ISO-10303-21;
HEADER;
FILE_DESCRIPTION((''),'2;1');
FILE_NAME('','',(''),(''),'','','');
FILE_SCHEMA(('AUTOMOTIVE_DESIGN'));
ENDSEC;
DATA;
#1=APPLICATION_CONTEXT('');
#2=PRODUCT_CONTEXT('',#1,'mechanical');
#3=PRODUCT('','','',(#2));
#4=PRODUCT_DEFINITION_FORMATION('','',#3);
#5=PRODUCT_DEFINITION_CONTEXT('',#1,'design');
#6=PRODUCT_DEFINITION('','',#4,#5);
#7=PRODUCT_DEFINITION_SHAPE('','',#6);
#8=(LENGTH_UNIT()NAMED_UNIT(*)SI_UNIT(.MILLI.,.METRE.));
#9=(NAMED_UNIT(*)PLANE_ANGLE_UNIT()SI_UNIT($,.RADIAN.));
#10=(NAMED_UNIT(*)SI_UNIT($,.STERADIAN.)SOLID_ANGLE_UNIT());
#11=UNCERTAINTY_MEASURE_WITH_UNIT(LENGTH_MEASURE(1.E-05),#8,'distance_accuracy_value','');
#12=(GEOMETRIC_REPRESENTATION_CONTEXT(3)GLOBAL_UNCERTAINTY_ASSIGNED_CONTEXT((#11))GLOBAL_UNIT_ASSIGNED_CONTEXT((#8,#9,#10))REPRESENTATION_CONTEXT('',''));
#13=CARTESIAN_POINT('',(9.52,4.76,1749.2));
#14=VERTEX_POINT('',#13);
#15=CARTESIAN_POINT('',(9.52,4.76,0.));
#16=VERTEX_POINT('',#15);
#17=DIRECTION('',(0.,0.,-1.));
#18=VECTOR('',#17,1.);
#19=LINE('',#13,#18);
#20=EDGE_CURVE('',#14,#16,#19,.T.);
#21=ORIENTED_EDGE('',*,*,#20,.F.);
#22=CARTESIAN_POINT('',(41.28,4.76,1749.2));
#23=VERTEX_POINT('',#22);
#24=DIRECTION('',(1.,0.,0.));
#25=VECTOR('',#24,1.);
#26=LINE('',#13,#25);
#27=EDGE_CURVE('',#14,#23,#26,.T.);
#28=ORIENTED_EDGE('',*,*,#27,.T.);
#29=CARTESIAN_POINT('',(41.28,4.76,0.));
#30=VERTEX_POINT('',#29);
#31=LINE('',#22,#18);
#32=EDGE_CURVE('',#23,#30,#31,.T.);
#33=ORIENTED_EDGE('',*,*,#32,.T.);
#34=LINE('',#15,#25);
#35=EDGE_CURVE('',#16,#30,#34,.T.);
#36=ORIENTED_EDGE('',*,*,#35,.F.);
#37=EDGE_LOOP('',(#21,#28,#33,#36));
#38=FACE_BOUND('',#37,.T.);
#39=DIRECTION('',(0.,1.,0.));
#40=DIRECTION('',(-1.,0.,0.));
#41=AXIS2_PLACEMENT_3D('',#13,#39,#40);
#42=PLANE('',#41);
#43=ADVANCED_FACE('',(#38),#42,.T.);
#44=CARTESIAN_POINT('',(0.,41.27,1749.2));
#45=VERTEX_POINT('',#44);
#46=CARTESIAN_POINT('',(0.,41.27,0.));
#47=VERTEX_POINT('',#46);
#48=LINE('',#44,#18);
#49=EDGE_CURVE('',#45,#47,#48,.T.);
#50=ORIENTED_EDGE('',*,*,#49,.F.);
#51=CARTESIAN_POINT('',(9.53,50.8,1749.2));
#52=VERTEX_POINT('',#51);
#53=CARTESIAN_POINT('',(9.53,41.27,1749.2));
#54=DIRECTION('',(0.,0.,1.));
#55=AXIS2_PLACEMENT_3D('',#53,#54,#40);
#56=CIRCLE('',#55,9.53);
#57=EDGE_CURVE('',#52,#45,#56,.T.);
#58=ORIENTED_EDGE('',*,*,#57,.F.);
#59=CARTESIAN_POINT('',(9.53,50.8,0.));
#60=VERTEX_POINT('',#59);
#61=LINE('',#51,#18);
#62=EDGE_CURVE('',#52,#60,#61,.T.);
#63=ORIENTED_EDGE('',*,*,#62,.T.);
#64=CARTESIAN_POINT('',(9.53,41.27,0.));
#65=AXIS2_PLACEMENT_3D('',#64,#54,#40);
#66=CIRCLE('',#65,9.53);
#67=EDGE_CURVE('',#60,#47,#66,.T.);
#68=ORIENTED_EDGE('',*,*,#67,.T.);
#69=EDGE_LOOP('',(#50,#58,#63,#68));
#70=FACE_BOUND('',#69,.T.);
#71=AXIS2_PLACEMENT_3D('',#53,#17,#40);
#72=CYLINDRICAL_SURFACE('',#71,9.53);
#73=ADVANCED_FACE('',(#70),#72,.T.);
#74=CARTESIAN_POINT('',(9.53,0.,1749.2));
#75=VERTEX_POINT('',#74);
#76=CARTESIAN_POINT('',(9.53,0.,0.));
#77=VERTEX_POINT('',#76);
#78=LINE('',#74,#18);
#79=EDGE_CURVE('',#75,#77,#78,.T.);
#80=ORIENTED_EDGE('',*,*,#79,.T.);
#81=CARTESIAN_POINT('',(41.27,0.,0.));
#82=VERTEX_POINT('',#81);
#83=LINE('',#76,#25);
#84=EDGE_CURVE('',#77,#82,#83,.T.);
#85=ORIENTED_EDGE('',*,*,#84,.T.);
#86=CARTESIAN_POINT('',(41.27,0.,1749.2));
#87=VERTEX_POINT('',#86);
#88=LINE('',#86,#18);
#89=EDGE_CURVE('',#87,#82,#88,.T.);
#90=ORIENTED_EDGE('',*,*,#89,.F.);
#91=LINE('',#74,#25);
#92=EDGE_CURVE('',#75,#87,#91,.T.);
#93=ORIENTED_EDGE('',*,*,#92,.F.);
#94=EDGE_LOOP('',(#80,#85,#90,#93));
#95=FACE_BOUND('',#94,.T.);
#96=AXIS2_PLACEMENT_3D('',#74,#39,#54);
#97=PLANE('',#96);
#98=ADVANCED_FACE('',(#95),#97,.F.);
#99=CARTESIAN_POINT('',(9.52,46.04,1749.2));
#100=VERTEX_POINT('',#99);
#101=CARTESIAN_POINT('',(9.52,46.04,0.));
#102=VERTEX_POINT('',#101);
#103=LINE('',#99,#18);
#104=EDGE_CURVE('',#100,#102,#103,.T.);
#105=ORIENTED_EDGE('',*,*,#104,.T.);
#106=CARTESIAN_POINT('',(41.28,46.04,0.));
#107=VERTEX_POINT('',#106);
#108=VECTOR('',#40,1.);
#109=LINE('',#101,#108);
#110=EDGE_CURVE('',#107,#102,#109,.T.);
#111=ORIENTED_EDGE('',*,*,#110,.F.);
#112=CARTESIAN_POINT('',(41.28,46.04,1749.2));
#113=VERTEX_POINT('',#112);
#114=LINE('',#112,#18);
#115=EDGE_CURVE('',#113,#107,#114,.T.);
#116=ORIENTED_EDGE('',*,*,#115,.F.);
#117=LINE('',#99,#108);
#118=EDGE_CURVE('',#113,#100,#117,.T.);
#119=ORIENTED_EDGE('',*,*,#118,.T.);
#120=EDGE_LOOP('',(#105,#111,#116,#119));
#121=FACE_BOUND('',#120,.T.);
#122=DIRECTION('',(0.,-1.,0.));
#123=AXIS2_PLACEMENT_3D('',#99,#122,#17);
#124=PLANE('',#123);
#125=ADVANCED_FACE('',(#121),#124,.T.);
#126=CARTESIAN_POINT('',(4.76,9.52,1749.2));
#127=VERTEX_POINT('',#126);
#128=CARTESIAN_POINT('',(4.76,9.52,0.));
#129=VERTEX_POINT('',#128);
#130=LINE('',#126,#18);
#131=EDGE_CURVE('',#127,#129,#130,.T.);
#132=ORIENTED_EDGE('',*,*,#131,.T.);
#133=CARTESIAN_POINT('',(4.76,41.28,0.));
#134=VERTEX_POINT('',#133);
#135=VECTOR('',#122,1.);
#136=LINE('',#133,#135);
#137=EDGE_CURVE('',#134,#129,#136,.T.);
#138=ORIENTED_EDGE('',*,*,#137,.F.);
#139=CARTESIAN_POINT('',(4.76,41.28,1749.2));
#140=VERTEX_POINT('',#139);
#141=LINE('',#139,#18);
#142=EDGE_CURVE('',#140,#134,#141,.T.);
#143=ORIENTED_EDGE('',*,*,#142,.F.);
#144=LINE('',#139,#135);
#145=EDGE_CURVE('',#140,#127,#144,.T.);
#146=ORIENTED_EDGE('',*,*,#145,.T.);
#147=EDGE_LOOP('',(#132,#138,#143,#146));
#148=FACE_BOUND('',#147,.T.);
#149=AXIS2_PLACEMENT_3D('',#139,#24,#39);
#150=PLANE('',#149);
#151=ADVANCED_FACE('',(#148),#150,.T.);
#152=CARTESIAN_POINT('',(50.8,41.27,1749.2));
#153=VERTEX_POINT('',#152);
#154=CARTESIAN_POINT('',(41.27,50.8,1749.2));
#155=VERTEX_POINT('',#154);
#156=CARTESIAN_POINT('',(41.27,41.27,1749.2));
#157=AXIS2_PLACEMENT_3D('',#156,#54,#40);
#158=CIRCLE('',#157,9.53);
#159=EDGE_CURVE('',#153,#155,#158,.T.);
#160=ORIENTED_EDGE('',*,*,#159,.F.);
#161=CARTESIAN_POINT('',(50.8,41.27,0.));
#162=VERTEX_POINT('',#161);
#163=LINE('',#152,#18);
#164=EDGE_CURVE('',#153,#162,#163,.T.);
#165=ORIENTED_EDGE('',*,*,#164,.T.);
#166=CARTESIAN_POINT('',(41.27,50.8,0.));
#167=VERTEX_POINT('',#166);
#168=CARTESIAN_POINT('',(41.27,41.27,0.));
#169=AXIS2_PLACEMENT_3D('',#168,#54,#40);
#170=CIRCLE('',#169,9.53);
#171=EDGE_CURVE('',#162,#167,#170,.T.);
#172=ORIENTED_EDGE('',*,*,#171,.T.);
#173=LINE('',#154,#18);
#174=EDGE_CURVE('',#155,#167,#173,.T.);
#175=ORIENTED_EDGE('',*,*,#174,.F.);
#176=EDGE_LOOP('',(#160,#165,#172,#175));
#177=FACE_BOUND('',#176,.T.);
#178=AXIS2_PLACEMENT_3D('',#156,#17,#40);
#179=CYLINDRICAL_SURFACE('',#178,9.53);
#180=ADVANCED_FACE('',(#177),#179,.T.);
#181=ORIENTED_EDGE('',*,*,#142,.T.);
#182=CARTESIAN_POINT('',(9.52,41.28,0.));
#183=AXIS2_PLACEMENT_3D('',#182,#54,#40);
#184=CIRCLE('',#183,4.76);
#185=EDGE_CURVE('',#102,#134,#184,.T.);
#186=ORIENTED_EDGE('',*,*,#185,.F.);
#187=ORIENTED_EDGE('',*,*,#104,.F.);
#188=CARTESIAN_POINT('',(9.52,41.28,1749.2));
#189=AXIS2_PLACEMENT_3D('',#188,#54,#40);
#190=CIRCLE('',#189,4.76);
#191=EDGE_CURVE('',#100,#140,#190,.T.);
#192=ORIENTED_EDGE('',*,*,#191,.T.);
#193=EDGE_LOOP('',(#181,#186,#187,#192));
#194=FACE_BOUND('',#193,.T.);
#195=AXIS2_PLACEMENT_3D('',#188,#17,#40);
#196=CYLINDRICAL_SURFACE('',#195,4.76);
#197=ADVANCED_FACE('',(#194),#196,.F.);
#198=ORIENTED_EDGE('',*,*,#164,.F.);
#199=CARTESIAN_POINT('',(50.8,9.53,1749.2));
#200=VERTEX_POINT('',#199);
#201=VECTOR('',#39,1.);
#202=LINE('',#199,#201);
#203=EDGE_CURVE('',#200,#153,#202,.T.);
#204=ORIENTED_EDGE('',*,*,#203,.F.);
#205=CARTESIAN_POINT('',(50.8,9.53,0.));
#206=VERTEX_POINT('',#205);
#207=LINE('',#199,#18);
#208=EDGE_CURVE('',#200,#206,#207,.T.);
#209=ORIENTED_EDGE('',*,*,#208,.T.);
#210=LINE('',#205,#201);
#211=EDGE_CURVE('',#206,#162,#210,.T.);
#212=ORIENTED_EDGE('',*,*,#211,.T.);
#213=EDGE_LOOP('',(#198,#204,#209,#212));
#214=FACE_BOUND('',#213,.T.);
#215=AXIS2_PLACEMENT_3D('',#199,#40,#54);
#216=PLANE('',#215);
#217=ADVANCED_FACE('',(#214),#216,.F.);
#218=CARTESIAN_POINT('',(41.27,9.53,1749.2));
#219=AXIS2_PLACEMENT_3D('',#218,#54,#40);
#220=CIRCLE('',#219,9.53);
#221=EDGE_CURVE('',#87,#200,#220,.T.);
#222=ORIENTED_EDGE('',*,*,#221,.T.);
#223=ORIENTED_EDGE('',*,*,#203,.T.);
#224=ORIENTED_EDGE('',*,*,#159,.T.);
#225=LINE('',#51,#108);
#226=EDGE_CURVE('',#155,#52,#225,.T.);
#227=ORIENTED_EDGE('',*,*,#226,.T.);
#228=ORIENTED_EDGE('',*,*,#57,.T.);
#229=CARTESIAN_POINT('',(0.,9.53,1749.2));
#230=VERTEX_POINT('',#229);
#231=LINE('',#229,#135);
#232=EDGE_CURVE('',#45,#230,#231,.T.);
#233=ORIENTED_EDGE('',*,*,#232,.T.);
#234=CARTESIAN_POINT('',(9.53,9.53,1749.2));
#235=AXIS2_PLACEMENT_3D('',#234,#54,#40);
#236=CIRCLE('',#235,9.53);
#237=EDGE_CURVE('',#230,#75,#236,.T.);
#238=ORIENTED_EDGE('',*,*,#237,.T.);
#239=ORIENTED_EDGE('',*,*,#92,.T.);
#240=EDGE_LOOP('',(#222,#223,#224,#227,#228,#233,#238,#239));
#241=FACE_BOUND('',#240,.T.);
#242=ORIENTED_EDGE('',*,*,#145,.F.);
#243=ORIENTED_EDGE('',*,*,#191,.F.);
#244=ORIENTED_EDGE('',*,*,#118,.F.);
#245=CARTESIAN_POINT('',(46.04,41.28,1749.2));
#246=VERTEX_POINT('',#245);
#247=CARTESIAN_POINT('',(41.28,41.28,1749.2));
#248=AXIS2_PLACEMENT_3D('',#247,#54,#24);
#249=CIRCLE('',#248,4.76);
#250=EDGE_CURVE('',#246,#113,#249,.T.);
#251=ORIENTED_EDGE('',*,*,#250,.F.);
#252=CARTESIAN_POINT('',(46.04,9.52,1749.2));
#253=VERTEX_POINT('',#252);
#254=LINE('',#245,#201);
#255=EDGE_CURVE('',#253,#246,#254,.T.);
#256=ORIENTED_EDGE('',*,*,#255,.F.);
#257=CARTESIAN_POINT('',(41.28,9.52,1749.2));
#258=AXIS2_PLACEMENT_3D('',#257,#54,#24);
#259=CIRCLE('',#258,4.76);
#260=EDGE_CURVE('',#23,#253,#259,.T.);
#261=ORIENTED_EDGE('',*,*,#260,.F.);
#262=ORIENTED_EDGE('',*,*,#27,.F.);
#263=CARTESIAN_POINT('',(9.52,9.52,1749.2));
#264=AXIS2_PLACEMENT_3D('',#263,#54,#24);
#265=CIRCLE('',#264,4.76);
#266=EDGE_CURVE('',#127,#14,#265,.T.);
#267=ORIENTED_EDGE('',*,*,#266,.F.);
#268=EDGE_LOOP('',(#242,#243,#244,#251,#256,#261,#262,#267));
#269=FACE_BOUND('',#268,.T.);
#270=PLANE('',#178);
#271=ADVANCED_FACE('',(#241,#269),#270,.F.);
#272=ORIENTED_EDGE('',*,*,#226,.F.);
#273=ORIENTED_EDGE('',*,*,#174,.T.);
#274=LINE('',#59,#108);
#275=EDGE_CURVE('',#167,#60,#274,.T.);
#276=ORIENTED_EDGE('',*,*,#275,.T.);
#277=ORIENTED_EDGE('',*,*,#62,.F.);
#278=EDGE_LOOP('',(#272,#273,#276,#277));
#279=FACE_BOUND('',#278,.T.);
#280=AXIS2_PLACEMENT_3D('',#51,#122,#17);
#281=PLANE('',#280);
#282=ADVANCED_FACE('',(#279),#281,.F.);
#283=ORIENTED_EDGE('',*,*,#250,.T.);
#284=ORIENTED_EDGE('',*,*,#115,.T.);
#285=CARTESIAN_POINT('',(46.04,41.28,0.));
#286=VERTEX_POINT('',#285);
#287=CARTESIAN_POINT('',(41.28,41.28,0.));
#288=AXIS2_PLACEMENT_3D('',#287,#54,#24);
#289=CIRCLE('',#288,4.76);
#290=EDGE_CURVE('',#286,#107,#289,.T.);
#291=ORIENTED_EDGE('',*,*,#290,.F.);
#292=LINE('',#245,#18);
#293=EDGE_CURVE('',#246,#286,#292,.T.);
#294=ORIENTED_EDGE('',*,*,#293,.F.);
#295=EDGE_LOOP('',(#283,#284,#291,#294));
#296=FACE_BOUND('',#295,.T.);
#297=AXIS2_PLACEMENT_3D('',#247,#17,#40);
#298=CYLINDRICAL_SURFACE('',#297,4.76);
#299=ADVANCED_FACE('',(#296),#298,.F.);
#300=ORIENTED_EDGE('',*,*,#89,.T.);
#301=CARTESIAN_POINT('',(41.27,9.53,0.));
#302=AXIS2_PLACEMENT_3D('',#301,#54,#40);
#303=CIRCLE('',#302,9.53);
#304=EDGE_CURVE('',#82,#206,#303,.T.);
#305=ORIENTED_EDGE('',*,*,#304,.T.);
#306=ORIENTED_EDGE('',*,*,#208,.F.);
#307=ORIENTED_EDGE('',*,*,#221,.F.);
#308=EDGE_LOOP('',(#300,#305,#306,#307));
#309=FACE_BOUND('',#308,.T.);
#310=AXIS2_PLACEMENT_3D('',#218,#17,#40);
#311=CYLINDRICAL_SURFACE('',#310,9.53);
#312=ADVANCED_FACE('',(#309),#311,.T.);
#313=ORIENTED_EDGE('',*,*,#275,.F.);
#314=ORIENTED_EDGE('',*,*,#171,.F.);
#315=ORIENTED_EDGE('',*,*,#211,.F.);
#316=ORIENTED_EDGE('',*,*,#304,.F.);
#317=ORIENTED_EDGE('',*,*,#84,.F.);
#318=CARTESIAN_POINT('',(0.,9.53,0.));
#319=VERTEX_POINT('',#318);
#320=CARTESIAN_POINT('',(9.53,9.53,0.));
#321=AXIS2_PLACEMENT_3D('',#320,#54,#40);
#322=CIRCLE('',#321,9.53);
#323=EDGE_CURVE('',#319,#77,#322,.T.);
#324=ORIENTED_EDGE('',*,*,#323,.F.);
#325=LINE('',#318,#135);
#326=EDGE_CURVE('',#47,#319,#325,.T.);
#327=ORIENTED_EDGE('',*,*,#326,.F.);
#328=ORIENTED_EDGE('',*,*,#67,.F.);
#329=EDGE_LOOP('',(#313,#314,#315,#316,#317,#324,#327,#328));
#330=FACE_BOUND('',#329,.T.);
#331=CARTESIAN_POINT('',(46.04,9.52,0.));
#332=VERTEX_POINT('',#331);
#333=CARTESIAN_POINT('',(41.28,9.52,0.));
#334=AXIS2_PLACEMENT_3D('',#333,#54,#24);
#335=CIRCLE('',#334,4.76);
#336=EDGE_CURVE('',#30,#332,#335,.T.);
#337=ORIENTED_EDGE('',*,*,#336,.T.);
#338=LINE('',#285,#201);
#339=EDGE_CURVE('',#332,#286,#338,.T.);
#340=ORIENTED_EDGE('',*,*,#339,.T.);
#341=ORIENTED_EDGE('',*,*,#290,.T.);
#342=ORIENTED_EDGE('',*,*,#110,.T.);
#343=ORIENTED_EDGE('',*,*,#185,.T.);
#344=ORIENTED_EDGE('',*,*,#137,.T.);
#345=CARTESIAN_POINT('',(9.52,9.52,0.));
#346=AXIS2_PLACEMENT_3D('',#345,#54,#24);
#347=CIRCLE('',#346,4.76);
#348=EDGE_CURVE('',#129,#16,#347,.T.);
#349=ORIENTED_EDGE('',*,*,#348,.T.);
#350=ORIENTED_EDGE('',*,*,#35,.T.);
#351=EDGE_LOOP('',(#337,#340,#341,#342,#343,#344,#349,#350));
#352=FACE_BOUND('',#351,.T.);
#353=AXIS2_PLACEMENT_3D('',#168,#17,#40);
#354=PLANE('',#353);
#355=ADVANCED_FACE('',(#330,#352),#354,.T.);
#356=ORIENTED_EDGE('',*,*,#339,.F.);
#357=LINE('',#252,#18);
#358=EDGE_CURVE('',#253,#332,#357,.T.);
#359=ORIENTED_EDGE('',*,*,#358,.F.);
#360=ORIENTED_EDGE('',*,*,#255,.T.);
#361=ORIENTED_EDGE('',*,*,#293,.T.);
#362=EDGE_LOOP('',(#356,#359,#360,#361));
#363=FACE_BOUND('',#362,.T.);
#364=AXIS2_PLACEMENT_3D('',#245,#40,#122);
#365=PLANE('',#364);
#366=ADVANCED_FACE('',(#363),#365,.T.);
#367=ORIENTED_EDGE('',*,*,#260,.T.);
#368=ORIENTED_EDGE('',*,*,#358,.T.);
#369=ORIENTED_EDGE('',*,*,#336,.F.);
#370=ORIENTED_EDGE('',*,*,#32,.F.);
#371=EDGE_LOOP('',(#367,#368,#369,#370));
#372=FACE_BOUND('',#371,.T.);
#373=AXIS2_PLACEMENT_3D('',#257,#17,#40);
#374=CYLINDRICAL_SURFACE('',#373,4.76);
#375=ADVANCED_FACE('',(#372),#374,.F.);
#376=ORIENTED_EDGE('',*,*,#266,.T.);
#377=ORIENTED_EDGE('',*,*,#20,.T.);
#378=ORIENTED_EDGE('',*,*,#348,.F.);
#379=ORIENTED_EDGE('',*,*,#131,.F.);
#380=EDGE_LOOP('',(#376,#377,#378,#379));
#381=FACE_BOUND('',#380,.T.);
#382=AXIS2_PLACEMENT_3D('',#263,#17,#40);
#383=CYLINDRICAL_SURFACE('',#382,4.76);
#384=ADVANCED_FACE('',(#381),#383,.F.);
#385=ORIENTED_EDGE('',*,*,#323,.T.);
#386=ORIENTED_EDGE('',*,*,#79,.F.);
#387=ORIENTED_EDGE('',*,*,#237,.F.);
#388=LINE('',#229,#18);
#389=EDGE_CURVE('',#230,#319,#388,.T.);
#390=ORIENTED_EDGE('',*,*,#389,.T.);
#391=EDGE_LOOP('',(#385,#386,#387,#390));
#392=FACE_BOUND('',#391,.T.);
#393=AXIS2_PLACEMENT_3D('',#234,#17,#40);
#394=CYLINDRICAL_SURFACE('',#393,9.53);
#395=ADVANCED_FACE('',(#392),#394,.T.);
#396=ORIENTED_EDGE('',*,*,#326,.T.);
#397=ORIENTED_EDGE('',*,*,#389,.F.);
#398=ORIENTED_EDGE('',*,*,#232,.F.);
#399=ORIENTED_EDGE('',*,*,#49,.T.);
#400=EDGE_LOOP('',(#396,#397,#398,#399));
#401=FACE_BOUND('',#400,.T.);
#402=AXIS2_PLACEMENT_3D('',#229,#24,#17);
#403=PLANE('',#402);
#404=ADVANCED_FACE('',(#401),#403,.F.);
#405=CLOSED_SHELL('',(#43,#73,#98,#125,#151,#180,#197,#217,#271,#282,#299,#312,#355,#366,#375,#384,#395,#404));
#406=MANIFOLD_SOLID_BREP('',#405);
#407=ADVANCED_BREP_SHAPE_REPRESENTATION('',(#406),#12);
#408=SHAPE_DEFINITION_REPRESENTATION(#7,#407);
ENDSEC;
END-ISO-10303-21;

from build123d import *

# Parameters (mm, degrees)
DODANIE_WYCI_GNI_CIE1_DEPTH = 1749.2


with BuildPart() as part:
    # Szkic1 → Dodanie-wyciągnięcie1 (new body)
    with BuildSketch(Plane.XY):
        with BuildLine():
            Line((9.53, 0), (41.27, 0))
            ThreePointArc((41.27, 0), (48.008727625, 2.791272375), (50.8, 9.53))
            Line((50.8, 9.53), (50.8, 41.27))
            ThreePointArc((50.8, 41.27), (48.008727625, 48.008727625), (41.27, 50.8))
            Line((41.27, 50.8), (9.53, 50.8))
            ThreePointArc((9.53, 50.8), (2.791272375, 48.008727625), (0, 41.27))
            Line((0, 41.27), (0, 9.53))
            ThreePointArc((0, 9.53), (2.791272375, 2.791272375), (9.53, 0))
        make_face()
        with BuildLine():
            Line((9.52, 46.04), (41.28, 46.04))
            ThreePointArc((41.28, 46.04), (44.645828278, 44.645828278), (46.04, 41.28))
            Line((46.04, 41.28), (46.04, 9.52))
            ThreePointArc((46.04, 9.52), (44.645828278, 6.154171722), (41.28, 4.76))
            Line((41.28, 4.76), (9.52, 4.76))
            ThreePointArc((9.52, 4.76), (6.154171722, 6.154171722), (4.76, 9.52))
            Line((4.76, 9.52), (4.76, 41.28))
            ThreePointArc((4.76, 41.28), (6.154171722, 44.645828278), (9.52, 46.04))
        make_face(mode=Mode.SUBTRACT)
    extrude(amount=DODANIE_WYCI_GNI_CIE1_DEPTH)


solid = part.part
